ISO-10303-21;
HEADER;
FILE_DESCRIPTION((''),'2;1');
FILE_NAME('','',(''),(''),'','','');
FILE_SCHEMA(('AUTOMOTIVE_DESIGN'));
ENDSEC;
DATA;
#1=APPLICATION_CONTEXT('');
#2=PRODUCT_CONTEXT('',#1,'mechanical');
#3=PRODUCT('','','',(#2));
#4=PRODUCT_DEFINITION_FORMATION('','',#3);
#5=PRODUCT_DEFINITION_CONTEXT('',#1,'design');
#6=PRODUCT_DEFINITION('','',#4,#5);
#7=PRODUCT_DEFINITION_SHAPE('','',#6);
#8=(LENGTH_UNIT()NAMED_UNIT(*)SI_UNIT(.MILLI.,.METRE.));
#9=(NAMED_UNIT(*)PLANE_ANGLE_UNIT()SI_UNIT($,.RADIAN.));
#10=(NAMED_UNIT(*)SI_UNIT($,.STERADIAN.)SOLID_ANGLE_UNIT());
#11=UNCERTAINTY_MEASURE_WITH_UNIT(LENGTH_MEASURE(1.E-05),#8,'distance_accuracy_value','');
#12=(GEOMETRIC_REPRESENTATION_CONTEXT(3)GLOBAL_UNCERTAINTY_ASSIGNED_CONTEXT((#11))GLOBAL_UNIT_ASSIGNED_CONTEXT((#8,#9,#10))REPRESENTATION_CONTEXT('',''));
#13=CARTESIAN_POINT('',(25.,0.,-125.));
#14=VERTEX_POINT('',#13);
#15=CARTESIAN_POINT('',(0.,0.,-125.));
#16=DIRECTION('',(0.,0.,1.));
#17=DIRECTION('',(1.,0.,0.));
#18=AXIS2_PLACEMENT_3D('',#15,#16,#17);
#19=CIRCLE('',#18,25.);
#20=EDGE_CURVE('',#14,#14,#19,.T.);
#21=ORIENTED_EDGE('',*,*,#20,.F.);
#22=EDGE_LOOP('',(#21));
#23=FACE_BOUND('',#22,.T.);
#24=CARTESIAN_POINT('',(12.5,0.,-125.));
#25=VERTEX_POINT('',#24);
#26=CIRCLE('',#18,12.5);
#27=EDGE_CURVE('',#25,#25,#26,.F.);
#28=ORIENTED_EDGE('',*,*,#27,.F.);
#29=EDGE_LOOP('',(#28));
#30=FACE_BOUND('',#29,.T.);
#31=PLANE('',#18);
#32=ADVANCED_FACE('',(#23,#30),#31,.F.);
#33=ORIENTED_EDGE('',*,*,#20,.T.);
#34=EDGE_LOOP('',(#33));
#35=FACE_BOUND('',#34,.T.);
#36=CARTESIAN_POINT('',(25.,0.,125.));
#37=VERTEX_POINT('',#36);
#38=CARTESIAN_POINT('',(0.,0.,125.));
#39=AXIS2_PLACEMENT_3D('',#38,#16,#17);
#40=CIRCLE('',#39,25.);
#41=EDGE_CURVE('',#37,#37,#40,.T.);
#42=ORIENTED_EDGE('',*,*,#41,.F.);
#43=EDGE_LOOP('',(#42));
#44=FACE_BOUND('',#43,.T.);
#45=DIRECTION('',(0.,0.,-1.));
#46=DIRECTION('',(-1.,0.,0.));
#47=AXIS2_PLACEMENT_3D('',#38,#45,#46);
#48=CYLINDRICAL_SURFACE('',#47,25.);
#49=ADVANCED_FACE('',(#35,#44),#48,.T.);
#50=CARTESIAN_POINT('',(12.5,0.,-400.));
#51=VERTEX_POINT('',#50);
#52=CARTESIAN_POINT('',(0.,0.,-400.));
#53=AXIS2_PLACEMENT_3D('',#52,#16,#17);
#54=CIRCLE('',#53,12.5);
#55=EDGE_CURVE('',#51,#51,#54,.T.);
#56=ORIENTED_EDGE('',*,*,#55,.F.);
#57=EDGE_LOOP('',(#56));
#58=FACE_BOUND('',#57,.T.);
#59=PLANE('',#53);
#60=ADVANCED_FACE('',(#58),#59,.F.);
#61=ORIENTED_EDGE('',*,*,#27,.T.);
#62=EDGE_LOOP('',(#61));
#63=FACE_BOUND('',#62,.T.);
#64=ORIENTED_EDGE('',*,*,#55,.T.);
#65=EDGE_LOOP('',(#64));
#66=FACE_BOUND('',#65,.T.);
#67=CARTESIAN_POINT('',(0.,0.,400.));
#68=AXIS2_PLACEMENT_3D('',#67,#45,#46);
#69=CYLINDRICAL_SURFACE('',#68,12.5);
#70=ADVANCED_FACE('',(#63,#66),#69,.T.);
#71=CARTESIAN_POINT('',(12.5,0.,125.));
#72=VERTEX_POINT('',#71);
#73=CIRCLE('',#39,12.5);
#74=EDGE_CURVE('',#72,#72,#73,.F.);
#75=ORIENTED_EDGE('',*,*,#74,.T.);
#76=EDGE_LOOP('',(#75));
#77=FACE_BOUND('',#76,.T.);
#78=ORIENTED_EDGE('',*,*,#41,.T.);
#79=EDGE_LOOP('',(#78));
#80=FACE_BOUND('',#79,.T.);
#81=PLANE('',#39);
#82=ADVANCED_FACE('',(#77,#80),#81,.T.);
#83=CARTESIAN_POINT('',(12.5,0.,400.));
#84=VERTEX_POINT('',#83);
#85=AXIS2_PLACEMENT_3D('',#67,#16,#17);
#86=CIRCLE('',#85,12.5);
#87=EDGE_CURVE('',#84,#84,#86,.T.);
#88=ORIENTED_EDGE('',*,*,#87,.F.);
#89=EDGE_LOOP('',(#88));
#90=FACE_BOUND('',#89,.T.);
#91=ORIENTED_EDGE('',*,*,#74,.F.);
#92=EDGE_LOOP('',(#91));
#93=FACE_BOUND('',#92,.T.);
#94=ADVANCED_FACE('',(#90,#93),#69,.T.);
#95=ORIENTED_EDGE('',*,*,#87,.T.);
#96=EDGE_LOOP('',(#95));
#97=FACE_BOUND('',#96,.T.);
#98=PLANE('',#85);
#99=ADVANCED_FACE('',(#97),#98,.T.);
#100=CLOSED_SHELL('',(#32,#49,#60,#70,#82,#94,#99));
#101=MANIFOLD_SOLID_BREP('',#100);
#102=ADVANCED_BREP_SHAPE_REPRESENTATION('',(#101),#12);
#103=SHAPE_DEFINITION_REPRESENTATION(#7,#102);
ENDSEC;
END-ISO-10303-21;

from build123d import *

# Parameters (mm, degrees)
SKETCH2_R           = 25
BOSS_EXTRUDE1_DEPTH = 125
SKETCH4_R           = 12.5
BOSS_EXTRUDE2_DEPTH = 400


with BuildPart() as part:
    # Sketch2 → Boss-Extrude1 (new body, symmetric)
    with BuildSketch(Plane.XY):
        Circle(SKETCH2_R)
    extrude(amount=BOSS_EXTRUDE1_DEPTH, both=True)

    # Sketch4 → Boss-Extrude2 (add, symmetric)
    with BuildSketch(Plane.XY):
        Circle(SKETCH4_R)
    extrude(amount=BOSS_EXTRUDE2_DEPTH, both=True)


solid = part.part
